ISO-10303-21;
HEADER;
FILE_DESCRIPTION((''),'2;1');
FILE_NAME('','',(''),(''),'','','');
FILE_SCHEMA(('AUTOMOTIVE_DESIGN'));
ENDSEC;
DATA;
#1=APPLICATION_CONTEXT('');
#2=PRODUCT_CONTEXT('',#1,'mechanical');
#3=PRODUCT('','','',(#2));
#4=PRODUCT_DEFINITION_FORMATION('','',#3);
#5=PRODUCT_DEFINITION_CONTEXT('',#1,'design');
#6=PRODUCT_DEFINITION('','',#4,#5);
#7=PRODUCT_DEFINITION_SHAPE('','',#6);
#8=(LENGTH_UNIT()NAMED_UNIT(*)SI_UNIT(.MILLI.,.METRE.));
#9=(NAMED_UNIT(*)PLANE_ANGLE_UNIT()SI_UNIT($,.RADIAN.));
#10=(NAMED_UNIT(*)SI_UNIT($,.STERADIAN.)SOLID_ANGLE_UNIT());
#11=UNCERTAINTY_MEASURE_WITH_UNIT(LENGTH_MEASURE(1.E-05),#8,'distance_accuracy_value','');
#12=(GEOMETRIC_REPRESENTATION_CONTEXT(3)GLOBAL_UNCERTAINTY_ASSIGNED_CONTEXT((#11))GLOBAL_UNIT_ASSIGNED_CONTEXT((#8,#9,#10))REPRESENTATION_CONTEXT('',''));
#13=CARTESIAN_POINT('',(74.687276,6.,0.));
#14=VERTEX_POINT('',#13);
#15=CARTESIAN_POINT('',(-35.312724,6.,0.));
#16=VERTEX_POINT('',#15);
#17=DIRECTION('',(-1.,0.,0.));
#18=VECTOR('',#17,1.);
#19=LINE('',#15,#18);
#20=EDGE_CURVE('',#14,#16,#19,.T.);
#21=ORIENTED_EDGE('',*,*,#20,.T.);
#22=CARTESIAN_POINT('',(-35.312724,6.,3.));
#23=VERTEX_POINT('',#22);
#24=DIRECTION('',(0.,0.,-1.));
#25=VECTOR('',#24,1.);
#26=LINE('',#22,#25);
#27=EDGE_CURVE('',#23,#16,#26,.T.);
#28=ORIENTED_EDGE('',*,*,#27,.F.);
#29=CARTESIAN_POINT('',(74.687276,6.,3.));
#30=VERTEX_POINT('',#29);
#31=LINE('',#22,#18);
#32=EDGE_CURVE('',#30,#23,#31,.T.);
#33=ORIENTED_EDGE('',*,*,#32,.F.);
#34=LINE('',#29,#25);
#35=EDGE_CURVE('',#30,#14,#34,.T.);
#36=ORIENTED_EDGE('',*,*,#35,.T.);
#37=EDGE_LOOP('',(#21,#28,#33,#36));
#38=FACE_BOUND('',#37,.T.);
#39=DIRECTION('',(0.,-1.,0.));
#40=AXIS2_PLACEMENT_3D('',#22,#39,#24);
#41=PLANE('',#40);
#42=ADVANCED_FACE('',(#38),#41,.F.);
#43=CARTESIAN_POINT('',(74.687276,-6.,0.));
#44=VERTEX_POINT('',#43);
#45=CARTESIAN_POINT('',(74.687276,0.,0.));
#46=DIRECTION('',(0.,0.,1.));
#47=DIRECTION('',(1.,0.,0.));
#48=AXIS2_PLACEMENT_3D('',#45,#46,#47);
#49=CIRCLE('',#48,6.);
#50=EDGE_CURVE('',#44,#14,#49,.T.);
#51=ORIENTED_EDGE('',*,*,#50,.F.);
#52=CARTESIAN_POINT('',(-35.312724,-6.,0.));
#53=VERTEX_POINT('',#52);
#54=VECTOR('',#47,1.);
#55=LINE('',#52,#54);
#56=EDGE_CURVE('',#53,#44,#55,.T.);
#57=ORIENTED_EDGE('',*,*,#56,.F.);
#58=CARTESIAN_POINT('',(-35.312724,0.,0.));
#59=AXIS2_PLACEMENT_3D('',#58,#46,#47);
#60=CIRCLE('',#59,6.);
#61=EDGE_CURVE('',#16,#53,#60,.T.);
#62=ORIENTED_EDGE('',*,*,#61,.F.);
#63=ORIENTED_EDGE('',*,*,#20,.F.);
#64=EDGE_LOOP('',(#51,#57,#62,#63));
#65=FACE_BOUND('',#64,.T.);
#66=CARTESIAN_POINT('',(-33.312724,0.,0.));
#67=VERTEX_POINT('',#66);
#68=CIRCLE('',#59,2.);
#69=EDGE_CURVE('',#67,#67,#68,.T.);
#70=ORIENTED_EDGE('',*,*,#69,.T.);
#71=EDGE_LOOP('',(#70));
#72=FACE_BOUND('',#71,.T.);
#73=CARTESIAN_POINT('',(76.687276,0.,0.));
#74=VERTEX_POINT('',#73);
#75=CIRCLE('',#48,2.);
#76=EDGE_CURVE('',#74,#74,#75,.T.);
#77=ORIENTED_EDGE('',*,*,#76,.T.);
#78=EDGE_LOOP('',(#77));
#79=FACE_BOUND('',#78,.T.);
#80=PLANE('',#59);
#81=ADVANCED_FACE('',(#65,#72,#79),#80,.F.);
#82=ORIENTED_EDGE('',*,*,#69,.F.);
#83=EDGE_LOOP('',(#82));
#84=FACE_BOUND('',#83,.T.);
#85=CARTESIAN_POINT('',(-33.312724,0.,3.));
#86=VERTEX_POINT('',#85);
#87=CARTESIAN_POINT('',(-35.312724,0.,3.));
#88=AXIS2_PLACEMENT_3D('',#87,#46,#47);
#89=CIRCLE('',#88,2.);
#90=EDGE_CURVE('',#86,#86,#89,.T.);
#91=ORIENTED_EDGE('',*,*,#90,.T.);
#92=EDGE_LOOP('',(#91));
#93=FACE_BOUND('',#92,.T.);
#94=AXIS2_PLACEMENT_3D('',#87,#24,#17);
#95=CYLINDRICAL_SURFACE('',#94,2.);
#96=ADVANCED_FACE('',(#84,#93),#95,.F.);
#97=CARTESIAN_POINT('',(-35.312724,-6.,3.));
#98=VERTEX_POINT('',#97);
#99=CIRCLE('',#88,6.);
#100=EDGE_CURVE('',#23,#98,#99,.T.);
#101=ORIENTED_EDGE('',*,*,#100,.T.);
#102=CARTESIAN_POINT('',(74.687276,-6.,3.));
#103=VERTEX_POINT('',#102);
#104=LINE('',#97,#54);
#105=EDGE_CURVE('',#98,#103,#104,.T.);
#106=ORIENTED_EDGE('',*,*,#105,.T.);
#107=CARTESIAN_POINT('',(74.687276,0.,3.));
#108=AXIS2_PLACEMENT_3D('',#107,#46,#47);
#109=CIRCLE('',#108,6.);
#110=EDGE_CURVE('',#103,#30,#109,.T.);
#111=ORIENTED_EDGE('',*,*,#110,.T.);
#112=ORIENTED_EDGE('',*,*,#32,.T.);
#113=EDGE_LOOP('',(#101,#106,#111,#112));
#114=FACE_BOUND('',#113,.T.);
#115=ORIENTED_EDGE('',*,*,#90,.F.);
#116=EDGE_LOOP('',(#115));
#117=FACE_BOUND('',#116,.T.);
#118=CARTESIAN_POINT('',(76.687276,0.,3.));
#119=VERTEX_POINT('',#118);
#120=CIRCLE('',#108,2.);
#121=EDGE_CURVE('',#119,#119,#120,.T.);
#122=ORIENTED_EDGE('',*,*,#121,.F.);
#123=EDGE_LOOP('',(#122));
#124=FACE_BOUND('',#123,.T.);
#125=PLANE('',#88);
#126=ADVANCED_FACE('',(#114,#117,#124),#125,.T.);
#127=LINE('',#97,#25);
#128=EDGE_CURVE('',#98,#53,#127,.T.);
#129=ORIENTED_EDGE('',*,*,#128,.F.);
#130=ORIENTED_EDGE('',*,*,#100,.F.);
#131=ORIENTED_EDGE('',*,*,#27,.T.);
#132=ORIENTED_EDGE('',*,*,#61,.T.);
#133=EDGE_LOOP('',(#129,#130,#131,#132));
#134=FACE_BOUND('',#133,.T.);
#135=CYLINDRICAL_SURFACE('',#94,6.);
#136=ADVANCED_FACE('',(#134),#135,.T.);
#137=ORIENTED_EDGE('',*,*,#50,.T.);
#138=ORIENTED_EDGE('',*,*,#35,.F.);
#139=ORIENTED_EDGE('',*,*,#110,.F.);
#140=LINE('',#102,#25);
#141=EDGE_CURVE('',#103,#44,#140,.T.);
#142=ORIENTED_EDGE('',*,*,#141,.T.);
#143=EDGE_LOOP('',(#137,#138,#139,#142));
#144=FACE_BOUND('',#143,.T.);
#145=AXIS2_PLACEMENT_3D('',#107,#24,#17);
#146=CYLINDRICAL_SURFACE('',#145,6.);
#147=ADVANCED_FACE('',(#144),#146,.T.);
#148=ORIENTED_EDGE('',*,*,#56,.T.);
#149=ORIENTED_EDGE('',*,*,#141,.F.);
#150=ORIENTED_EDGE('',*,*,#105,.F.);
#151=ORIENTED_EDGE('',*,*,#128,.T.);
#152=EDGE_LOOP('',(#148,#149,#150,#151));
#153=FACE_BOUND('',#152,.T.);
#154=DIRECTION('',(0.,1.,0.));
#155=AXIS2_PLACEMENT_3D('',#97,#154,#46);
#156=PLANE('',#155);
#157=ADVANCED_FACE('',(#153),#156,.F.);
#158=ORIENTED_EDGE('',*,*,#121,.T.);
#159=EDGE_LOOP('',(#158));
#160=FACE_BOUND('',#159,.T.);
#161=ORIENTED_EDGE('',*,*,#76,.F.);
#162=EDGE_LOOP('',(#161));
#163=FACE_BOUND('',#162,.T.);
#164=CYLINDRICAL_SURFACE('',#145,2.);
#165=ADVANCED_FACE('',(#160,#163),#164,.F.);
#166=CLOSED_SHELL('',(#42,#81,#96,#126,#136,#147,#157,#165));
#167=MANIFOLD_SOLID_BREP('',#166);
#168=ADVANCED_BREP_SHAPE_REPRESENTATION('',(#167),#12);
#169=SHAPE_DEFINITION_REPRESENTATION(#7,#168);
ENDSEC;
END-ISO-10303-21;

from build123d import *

# Parameters (mm, degrees)
SKETCH1_R           = 2
BOSS_EXTRUDE3_DEPTH = 3


with BuildPart() as part:
    # Sketch1 → Boss-Extrude3 (new body)
    with BuildSketch(Plane.XY):
        with BuildLine():
            Line((-35.312724167, 6), (74.687275833, 6))
            ThreePointArc((74.687275833, 6), (80.687275833, 0), (74.687275833, -6))
            Line((74.687275833, -6), (-35.312724167, -6))
            ThreePointArc((-35.312724167, -6), (-41.312724167, 0), (-35.312724167, 6))
        make_face()
        with Locations((-35.312724167, 0)):
            Circle(SKETCH1_R, mode=Mode.SUBTRACT)
        with Locations((74.687275833, 0)):
            Circle(SKETCH1_R, mode=Mode.SUBTRACT)
    extrude(amount=BOSS_EXTRUDE3_DEPTH)


solid = part.part
